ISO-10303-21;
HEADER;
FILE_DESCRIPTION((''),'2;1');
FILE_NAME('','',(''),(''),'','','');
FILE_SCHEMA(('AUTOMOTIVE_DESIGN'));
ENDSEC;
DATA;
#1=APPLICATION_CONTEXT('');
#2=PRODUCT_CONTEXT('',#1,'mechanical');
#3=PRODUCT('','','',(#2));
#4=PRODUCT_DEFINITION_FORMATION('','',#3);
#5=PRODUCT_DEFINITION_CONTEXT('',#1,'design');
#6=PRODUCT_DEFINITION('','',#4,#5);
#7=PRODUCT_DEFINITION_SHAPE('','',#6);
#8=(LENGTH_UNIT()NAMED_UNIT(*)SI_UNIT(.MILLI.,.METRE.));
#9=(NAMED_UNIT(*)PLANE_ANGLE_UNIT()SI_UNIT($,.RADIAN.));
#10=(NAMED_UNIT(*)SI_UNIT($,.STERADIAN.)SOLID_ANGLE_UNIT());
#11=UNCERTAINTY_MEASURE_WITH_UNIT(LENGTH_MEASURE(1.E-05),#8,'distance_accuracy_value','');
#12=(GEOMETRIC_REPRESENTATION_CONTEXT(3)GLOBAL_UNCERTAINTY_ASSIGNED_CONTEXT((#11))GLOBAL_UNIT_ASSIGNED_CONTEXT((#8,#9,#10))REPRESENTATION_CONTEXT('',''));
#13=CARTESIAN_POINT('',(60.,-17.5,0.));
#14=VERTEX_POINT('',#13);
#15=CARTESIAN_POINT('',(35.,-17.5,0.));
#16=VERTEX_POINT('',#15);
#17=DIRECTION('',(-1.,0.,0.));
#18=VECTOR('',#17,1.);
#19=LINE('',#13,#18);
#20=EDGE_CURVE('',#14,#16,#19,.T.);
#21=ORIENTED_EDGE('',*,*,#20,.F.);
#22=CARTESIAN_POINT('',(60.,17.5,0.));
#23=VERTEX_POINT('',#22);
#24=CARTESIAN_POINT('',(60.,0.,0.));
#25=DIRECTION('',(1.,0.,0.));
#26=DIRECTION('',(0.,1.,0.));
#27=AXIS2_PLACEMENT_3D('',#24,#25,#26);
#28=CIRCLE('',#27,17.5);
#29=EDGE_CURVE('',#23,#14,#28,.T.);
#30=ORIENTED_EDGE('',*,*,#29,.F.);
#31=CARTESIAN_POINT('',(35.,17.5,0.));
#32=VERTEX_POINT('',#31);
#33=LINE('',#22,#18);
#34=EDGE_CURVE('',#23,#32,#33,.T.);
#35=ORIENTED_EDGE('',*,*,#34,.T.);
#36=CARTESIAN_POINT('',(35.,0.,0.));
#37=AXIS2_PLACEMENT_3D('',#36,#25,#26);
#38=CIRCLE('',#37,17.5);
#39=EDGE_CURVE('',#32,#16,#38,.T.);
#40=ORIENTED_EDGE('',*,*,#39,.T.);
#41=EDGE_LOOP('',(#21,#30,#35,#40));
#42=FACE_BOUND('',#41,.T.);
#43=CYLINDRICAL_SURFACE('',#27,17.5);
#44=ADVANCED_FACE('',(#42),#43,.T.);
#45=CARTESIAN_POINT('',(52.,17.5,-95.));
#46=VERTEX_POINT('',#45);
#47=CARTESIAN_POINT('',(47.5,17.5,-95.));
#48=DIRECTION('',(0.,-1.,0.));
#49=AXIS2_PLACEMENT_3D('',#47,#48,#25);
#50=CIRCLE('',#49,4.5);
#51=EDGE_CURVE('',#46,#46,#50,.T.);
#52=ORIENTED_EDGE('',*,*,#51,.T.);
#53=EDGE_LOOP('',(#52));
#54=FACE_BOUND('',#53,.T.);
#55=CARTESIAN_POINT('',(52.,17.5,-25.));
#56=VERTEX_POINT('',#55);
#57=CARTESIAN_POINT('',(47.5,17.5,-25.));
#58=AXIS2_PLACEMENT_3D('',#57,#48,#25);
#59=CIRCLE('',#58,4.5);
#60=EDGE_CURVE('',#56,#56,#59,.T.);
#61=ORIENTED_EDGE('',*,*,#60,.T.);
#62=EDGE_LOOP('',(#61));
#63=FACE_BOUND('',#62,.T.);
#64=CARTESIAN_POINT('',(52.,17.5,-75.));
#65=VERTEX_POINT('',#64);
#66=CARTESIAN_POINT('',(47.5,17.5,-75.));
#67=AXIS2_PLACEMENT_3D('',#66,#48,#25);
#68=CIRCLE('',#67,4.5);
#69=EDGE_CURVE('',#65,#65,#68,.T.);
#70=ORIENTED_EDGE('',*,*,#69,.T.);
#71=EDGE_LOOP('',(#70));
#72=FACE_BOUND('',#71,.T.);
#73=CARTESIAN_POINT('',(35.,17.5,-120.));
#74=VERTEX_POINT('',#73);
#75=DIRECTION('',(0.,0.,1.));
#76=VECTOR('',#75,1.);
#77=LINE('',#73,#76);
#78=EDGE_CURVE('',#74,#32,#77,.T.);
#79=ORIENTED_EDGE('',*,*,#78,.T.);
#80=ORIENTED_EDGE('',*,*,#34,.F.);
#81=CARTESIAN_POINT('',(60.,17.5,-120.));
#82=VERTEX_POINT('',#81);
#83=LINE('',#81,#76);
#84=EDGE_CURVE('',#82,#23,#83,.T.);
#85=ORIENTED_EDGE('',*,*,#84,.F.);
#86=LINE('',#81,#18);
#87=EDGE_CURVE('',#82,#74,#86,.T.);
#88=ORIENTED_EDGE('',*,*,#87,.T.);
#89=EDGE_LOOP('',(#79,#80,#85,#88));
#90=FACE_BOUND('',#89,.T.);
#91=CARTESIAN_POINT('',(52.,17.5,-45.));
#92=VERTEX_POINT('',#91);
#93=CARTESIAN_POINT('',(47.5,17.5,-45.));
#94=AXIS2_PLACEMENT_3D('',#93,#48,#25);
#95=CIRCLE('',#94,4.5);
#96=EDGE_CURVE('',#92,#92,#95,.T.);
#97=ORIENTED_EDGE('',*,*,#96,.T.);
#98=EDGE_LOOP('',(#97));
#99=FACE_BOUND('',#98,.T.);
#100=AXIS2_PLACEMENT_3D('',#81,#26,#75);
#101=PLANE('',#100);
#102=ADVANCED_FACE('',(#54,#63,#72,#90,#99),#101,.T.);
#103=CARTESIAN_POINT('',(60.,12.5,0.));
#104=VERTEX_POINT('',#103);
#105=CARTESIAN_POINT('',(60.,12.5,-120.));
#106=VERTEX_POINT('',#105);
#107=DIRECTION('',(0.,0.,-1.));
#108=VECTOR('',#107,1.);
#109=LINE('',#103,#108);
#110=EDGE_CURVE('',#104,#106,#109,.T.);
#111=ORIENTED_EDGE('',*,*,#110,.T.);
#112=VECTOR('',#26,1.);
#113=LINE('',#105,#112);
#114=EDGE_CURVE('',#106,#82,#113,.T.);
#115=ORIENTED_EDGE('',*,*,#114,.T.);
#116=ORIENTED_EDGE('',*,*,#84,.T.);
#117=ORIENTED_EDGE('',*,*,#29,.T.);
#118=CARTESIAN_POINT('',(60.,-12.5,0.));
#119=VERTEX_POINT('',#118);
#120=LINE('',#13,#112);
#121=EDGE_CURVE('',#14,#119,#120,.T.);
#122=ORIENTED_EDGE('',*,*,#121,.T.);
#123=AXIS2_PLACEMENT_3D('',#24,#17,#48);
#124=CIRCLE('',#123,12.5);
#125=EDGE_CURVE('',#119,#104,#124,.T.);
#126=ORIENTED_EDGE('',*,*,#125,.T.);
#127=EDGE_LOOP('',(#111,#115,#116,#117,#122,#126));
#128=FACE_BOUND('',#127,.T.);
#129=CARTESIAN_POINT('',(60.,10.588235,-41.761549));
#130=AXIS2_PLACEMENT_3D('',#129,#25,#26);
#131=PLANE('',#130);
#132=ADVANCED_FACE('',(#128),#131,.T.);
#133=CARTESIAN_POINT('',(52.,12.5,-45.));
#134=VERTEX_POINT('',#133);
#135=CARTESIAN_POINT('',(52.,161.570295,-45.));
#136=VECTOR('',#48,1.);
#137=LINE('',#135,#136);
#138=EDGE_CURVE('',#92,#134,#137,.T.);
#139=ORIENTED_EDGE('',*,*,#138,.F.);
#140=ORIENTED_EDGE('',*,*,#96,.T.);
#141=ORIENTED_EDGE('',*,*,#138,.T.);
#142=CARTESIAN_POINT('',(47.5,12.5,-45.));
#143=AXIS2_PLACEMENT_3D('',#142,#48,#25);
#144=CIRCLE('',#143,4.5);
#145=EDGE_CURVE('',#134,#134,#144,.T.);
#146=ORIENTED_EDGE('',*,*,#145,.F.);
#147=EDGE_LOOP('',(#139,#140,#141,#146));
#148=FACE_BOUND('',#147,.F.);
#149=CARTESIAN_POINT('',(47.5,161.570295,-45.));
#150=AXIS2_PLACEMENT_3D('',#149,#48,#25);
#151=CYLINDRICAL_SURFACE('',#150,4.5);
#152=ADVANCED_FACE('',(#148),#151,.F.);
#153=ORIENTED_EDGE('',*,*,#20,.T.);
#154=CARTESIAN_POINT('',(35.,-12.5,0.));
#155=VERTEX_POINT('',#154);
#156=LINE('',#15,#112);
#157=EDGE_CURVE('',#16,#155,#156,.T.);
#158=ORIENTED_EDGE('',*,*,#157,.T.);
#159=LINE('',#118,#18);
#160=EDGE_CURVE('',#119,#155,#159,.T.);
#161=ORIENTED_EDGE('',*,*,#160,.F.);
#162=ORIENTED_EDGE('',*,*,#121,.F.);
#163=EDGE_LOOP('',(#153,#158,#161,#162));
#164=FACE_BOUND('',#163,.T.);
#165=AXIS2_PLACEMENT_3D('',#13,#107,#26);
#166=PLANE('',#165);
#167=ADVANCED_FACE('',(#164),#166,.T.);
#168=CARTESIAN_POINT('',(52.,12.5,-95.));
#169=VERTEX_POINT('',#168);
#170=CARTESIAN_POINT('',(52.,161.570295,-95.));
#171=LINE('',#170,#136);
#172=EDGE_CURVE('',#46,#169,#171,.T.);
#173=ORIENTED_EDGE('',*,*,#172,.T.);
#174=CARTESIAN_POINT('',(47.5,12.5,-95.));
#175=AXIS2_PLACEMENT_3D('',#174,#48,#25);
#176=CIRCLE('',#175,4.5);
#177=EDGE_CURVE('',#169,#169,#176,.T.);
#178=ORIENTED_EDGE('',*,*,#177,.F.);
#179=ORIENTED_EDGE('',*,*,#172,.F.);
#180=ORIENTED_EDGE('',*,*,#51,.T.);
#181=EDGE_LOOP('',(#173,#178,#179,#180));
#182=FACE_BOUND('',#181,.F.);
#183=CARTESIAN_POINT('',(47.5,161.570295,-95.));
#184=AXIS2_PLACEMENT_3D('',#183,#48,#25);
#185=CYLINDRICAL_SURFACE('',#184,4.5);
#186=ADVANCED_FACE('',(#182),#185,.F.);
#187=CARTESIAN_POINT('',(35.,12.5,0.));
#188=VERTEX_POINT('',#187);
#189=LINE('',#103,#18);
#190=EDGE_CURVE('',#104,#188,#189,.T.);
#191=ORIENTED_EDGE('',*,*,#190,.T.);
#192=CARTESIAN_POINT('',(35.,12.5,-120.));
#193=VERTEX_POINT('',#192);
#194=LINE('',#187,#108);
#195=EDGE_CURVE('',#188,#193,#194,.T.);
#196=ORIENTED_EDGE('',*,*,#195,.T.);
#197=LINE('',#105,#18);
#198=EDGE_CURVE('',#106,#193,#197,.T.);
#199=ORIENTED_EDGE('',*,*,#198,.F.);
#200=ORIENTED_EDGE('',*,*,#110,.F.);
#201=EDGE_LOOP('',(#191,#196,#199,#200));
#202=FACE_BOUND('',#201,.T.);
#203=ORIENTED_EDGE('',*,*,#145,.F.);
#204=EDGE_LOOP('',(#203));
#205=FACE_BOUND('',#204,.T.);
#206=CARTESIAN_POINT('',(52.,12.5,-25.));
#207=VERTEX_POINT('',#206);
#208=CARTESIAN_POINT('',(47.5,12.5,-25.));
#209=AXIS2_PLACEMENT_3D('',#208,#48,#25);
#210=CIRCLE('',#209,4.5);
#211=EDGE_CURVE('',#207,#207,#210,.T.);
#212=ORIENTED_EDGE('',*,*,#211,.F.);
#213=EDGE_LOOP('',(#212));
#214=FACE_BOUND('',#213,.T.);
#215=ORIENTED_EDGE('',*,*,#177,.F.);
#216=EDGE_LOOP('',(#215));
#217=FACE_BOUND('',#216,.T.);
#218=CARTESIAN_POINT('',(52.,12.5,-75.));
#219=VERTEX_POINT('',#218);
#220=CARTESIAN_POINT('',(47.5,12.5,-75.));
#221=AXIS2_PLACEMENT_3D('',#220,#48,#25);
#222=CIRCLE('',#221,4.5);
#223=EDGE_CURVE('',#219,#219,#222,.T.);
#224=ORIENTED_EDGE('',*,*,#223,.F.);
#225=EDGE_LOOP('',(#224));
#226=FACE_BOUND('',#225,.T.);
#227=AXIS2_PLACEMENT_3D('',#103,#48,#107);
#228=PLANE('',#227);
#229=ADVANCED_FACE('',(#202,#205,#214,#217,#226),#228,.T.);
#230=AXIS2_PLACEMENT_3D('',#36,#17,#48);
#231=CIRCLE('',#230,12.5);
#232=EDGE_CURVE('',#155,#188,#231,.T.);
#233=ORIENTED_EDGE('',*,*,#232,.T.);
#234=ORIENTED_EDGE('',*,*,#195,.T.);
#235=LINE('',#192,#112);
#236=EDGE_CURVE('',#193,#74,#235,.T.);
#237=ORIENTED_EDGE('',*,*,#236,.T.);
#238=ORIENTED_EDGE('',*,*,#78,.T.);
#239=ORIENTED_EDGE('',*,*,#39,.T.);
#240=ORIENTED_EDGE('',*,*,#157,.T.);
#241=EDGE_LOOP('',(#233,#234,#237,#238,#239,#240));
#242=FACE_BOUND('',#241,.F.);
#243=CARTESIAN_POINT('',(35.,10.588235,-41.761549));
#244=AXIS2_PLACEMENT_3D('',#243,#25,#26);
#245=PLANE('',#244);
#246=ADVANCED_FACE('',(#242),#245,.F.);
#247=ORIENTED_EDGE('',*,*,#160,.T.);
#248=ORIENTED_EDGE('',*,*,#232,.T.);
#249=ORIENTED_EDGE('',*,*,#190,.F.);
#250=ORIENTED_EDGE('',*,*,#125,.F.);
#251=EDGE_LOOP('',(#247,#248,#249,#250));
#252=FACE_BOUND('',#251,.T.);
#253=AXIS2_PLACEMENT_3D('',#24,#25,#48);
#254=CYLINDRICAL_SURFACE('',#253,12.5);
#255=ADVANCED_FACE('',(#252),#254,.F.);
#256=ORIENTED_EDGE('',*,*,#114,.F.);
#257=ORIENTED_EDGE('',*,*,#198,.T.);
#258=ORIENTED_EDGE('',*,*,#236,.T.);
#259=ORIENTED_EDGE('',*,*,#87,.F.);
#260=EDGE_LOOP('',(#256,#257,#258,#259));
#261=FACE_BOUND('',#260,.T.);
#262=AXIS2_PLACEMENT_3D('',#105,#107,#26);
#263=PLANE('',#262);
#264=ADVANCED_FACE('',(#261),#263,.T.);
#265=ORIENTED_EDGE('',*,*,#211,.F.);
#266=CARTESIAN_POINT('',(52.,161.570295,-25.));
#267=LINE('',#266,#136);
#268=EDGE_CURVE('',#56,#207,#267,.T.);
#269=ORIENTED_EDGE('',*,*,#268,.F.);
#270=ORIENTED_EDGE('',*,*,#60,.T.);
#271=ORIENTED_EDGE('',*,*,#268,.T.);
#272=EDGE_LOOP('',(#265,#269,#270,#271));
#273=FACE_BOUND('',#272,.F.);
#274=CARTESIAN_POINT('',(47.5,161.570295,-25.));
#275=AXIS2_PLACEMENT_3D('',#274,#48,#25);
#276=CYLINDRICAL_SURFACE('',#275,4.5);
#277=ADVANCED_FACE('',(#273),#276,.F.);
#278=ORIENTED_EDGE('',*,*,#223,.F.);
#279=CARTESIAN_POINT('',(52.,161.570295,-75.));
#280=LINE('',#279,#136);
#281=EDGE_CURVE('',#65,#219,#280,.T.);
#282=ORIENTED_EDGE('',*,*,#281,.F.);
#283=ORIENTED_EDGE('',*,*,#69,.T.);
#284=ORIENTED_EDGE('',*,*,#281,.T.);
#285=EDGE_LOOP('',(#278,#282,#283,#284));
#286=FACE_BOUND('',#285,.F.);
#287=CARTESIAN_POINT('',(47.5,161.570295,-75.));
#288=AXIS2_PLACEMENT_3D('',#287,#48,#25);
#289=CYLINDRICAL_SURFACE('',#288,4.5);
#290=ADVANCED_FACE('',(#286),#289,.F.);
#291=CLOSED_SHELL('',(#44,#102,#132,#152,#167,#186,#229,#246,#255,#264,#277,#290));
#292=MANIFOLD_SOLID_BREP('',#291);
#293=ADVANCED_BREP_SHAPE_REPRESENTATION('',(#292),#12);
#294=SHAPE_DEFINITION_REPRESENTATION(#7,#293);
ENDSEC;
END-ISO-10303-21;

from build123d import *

# Parameters (mm, degrees)
F2_DEPTH = 25
F4_D     = 9
F6_D     = 9


with BuildPart() as f2:
    # F1 (on offset) → F2 (new body)
    with BuildSketch(Plane.YZ.offset(60)):
        with BuildLine():
            ThreePointArc((-12.5, 0), (0, 12.5), (12.5, 0))
            Line((12.5, 0), (12.5, -120))
            Line((12.5, -120), (17.5, -120))
            Line((17.5, -120), (17.5, 0))
            ThreePointArc((17.5, 0), (0, 17.5), (-17.5, 0))
            Line((-17.5, 0), (-12.5, 0))
        make_face()
    extrude(amount=-F2_DEPTH)

    # F4 (through all)
    with Locations(Plane(origin=(0, 17.5, 0), x_dir=(-1, 0, 0), z_dir=(0, 1, 0))):
        with Locations((-47.5, -25), (-47.5, -45)):
            Hole(F4_D / 2)

    # F6 (through all)
    with Locations(Plane(origin=(0, 17.5, 0), x_dir=(-1, 0, 0), z_dir=(0, 1, 0))):
        with Locations((-47.5, -75), (-47.5, -95)):
            Hole(F6_D / 2)


solid = f2.part
